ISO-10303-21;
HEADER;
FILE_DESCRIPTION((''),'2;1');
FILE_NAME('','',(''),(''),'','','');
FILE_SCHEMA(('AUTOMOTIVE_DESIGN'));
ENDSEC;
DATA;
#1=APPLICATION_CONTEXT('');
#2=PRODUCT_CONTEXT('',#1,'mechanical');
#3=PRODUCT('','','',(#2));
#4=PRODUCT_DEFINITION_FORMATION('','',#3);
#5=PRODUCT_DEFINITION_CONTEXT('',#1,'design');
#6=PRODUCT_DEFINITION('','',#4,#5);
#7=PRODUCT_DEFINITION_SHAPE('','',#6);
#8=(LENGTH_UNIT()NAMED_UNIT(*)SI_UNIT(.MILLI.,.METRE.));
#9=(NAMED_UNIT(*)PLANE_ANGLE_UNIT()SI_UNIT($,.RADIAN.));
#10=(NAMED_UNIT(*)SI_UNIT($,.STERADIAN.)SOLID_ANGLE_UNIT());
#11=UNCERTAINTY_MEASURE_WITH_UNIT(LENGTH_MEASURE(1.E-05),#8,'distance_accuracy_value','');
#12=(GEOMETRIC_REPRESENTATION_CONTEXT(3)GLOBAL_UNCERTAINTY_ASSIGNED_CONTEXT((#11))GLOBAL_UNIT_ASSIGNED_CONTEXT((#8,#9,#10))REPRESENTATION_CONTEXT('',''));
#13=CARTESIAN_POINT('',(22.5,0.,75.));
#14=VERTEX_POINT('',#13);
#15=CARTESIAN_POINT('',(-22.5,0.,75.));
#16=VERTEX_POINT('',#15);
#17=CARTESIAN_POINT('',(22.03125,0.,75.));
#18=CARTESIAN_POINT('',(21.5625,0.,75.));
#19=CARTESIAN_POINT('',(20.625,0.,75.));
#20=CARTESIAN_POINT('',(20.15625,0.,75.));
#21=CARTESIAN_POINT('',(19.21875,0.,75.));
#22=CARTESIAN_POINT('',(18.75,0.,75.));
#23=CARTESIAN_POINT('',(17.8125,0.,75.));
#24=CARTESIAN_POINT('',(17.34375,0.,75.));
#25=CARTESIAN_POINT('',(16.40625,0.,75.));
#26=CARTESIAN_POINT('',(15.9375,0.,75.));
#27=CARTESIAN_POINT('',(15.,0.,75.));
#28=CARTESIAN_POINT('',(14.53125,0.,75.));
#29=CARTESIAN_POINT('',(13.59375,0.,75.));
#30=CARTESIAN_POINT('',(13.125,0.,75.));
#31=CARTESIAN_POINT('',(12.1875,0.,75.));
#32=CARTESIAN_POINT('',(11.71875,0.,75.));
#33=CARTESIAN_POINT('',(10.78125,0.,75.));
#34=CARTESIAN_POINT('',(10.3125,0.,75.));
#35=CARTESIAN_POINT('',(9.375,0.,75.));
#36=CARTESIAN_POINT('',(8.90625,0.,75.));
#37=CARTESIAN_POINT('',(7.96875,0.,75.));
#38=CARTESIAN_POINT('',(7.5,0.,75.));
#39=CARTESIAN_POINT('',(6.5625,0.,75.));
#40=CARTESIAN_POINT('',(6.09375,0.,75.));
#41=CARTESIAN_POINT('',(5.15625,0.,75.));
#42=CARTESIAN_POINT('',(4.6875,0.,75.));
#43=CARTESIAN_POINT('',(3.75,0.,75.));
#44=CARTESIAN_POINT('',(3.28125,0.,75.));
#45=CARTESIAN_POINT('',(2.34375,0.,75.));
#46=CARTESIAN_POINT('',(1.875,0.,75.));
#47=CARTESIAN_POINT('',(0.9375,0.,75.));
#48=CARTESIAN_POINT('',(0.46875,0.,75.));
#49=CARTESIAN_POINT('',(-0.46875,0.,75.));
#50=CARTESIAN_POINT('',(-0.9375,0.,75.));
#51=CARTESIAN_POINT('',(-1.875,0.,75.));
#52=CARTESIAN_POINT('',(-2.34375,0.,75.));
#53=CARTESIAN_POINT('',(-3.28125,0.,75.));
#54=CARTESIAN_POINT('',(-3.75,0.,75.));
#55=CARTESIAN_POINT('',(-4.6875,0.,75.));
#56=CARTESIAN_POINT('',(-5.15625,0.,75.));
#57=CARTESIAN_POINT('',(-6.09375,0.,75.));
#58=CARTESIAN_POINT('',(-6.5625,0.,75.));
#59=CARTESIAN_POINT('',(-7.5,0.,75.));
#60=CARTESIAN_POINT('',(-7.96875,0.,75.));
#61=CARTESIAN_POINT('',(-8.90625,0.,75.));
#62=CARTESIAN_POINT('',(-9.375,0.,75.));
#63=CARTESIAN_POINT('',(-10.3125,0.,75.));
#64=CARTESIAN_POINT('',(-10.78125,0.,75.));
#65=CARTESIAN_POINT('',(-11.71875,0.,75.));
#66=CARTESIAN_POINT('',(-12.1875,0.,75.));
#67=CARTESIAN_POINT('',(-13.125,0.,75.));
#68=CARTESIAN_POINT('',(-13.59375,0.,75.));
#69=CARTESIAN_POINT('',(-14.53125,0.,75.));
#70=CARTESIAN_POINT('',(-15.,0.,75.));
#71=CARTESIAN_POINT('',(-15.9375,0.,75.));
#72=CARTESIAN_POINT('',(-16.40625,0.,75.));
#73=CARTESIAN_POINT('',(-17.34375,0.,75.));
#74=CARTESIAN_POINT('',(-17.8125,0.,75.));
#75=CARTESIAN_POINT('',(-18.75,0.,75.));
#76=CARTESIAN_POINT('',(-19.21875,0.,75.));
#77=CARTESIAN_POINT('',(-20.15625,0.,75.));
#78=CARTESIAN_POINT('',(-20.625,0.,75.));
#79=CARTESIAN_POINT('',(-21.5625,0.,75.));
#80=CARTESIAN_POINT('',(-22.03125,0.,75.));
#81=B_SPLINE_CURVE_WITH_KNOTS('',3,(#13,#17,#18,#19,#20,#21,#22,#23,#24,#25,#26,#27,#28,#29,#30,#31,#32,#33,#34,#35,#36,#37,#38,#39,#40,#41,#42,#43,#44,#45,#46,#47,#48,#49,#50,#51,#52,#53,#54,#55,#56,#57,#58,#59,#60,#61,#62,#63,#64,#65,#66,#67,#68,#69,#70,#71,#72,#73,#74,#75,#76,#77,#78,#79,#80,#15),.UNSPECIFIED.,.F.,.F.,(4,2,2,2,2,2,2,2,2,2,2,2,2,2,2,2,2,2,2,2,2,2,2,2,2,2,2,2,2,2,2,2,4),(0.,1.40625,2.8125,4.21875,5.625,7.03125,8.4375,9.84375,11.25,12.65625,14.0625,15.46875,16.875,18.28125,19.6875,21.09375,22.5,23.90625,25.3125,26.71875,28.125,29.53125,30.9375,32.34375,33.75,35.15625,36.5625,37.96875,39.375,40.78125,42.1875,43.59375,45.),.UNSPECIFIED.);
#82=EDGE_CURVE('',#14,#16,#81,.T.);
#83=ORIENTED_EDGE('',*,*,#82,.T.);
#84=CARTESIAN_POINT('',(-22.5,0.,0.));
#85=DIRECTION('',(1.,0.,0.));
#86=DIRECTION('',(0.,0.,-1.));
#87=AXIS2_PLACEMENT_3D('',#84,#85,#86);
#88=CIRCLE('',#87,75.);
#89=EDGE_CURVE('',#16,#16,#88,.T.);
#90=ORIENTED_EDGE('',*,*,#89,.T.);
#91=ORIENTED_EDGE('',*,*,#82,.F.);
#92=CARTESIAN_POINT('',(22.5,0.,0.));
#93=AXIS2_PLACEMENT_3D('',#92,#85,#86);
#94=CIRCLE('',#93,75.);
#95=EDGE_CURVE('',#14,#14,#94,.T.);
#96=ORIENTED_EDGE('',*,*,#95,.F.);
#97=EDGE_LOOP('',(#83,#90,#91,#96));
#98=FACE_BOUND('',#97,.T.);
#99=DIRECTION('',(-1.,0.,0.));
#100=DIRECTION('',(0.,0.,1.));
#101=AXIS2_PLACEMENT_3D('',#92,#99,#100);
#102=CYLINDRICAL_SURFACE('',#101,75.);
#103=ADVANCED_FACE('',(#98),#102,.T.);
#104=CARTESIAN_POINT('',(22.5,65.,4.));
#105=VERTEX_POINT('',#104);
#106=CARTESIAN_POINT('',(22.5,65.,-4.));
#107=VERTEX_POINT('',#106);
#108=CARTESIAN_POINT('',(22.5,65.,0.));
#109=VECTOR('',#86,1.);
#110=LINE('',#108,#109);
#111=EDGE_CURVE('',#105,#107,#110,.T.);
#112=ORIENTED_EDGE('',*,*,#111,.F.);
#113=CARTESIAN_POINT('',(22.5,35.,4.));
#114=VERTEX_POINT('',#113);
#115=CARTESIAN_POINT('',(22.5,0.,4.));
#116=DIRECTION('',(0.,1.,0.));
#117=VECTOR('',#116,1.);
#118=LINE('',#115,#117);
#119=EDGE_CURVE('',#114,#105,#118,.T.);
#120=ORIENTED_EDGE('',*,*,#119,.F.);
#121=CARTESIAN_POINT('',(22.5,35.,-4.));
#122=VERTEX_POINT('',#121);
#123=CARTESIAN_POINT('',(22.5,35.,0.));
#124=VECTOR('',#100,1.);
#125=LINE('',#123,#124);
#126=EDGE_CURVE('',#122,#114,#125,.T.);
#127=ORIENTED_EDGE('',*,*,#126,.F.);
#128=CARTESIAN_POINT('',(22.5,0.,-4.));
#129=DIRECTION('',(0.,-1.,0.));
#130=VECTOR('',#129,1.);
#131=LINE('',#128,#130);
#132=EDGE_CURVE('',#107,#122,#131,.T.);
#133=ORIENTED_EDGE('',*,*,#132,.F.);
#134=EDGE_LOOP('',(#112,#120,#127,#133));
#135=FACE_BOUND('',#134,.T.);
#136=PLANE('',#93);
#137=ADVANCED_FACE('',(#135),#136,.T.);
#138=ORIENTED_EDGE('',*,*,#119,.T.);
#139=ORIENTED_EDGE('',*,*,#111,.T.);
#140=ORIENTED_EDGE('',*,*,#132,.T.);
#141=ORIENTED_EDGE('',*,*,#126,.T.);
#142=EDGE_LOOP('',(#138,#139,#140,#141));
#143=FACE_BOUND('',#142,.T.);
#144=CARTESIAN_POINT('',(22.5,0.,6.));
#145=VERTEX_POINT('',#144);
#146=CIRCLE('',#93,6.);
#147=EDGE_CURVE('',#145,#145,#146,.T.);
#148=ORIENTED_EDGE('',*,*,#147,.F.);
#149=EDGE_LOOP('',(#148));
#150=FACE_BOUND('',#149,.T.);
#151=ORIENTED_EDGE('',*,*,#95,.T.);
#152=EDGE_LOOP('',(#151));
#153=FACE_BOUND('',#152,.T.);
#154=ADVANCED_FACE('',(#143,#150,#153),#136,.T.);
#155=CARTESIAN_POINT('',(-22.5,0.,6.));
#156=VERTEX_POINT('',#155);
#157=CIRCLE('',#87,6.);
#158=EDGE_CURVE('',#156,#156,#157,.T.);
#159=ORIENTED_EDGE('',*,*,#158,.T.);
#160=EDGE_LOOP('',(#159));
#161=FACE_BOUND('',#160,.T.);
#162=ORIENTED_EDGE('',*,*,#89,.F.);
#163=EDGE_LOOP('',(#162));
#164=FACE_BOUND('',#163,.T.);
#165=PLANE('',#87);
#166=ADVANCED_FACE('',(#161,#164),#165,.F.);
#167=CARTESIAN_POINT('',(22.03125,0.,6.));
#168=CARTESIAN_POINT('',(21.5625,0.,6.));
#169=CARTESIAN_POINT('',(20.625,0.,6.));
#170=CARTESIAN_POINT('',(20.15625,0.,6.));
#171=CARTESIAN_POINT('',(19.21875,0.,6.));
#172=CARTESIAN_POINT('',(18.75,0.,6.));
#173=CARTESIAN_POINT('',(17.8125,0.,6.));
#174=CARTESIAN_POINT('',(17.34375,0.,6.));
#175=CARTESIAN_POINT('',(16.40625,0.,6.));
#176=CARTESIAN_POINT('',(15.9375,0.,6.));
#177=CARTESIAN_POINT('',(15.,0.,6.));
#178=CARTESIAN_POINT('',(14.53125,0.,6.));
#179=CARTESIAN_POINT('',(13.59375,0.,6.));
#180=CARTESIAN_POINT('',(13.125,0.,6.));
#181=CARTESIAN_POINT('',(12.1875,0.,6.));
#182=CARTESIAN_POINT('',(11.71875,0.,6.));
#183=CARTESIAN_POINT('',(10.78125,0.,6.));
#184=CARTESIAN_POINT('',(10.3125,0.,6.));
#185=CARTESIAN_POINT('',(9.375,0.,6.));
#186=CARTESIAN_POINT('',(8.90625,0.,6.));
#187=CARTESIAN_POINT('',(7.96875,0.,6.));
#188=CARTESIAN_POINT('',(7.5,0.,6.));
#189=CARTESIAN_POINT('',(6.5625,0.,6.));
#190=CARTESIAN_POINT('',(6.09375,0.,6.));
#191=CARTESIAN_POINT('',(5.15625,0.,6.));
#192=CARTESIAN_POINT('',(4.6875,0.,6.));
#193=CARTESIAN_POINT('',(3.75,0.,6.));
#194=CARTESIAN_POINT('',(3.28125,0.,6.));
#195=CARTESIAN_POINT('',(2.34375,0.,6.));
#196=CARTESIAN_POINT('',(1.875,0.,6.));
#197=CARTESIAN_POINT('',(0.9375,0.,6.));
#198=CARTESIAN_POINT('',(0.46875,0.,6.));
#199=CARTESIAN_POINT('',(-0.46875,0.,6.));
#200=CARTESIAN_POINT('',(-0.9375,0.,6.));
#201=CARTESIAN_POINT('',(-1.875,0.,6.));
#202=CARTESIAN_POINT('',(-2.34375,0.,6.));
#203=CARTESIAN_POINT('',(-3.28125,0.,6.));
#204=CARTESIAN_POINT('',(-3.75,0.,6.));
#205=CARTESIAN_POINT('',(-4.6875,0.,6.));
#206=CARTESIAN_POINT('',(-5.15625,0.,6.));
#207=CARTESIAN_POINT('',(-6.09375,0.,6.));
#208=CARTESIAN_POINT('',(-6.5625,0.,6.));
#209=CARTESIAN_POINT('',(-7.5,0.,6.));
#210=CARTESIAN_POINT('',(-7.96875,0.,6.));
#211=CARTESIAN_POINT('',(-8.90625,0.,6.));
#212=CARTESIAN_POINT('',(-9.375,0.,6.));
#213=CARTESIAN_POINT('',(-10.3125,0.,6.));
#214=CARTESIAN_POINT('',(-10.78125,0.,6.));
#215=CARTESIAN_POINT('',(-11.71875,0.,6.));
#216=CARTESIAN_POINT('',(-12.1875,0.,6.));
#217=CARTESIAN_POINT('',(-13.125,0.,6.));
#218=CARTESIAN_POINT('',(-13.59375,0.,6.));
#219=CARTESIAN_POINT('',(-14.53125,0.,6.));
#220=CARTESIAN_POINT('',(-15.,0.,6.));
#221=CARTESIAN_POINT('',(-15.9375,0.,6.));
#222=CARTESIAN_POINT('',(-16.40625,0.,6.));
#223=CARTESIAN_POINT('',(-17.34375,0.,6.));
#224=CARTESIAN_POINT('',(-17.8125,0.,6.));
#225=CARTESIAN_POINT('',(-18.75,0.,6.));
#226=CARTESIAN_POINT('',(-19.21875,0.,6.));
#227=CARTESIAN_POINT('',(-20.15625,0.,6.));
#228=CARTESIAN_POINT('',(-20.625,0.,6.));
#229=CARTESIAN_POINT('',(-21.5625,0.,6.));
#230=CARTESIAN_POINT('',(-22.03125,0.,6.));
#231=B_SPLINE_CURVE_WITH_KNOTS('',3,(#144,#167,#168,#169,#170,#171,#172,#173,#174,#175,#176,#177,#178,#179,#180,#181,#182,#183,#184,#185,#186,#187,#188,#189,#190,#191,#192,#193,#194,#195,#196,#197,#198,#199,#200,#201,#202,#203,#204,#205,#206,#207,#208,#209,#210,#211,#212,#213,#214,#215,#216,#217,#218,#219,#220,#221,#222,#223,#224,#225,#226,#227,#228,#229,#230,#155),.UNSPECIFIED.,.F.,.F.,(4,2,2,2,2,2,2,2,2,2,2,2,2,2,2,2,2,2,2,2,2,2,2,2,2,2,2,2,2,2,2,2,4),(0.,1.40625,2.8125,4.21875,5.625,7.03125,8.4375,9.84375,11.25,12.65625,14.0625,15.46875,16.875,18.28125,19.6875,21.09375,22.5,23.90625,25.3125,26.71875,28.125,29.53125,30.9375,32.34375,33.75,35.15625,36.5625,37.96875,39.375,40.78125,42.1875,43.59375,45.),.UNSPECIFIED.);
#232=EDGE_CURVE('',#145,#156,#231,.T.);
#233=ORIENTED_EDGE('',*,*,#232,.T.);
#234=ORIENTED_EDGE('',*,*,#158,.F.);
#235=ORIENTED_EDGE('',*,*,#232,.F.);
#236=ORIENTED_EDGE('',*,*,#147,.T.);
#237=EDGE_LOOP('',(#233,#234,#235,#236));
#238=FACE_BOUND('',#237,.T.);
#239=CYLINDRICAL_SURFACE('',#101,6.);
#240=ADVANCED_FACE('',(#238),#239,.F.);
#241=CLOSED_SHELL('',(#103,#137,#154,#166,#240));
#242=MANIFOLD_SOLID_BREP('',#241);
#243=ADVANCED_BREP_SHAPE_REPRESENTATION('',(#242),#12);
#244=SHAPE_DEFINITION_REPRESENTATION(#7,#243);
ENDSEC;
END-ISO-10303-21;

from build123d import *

# Parameters (mm, degrees)
SKETCH1_R           = 75
SKETCH1_R_2         = 6
BOSS_EXTRUDE1_DEPTH = 22.5


with BuildPart() as part:
    # Sketch1 → Boss-Extrude1 (new, symmetric)
    with BuildSketch(Plane(origin=(0, 0, 0), x_dir=(0, 0, -1), z_dir=(1, 0, 0))):
        with Locations(Location((0, 0, 0), (0, 0, 180))):
            Circle(SKETCH1_R)
        with Locations(Location((0, 0, 0), (0, 0, 180))):
            Circle(SKETCH1_R_2, mode=Mode.SUBTRACT)
    extrude(amount=BOSS_EXTRUDE1_DEPTH, both=True)


solid = part.part
